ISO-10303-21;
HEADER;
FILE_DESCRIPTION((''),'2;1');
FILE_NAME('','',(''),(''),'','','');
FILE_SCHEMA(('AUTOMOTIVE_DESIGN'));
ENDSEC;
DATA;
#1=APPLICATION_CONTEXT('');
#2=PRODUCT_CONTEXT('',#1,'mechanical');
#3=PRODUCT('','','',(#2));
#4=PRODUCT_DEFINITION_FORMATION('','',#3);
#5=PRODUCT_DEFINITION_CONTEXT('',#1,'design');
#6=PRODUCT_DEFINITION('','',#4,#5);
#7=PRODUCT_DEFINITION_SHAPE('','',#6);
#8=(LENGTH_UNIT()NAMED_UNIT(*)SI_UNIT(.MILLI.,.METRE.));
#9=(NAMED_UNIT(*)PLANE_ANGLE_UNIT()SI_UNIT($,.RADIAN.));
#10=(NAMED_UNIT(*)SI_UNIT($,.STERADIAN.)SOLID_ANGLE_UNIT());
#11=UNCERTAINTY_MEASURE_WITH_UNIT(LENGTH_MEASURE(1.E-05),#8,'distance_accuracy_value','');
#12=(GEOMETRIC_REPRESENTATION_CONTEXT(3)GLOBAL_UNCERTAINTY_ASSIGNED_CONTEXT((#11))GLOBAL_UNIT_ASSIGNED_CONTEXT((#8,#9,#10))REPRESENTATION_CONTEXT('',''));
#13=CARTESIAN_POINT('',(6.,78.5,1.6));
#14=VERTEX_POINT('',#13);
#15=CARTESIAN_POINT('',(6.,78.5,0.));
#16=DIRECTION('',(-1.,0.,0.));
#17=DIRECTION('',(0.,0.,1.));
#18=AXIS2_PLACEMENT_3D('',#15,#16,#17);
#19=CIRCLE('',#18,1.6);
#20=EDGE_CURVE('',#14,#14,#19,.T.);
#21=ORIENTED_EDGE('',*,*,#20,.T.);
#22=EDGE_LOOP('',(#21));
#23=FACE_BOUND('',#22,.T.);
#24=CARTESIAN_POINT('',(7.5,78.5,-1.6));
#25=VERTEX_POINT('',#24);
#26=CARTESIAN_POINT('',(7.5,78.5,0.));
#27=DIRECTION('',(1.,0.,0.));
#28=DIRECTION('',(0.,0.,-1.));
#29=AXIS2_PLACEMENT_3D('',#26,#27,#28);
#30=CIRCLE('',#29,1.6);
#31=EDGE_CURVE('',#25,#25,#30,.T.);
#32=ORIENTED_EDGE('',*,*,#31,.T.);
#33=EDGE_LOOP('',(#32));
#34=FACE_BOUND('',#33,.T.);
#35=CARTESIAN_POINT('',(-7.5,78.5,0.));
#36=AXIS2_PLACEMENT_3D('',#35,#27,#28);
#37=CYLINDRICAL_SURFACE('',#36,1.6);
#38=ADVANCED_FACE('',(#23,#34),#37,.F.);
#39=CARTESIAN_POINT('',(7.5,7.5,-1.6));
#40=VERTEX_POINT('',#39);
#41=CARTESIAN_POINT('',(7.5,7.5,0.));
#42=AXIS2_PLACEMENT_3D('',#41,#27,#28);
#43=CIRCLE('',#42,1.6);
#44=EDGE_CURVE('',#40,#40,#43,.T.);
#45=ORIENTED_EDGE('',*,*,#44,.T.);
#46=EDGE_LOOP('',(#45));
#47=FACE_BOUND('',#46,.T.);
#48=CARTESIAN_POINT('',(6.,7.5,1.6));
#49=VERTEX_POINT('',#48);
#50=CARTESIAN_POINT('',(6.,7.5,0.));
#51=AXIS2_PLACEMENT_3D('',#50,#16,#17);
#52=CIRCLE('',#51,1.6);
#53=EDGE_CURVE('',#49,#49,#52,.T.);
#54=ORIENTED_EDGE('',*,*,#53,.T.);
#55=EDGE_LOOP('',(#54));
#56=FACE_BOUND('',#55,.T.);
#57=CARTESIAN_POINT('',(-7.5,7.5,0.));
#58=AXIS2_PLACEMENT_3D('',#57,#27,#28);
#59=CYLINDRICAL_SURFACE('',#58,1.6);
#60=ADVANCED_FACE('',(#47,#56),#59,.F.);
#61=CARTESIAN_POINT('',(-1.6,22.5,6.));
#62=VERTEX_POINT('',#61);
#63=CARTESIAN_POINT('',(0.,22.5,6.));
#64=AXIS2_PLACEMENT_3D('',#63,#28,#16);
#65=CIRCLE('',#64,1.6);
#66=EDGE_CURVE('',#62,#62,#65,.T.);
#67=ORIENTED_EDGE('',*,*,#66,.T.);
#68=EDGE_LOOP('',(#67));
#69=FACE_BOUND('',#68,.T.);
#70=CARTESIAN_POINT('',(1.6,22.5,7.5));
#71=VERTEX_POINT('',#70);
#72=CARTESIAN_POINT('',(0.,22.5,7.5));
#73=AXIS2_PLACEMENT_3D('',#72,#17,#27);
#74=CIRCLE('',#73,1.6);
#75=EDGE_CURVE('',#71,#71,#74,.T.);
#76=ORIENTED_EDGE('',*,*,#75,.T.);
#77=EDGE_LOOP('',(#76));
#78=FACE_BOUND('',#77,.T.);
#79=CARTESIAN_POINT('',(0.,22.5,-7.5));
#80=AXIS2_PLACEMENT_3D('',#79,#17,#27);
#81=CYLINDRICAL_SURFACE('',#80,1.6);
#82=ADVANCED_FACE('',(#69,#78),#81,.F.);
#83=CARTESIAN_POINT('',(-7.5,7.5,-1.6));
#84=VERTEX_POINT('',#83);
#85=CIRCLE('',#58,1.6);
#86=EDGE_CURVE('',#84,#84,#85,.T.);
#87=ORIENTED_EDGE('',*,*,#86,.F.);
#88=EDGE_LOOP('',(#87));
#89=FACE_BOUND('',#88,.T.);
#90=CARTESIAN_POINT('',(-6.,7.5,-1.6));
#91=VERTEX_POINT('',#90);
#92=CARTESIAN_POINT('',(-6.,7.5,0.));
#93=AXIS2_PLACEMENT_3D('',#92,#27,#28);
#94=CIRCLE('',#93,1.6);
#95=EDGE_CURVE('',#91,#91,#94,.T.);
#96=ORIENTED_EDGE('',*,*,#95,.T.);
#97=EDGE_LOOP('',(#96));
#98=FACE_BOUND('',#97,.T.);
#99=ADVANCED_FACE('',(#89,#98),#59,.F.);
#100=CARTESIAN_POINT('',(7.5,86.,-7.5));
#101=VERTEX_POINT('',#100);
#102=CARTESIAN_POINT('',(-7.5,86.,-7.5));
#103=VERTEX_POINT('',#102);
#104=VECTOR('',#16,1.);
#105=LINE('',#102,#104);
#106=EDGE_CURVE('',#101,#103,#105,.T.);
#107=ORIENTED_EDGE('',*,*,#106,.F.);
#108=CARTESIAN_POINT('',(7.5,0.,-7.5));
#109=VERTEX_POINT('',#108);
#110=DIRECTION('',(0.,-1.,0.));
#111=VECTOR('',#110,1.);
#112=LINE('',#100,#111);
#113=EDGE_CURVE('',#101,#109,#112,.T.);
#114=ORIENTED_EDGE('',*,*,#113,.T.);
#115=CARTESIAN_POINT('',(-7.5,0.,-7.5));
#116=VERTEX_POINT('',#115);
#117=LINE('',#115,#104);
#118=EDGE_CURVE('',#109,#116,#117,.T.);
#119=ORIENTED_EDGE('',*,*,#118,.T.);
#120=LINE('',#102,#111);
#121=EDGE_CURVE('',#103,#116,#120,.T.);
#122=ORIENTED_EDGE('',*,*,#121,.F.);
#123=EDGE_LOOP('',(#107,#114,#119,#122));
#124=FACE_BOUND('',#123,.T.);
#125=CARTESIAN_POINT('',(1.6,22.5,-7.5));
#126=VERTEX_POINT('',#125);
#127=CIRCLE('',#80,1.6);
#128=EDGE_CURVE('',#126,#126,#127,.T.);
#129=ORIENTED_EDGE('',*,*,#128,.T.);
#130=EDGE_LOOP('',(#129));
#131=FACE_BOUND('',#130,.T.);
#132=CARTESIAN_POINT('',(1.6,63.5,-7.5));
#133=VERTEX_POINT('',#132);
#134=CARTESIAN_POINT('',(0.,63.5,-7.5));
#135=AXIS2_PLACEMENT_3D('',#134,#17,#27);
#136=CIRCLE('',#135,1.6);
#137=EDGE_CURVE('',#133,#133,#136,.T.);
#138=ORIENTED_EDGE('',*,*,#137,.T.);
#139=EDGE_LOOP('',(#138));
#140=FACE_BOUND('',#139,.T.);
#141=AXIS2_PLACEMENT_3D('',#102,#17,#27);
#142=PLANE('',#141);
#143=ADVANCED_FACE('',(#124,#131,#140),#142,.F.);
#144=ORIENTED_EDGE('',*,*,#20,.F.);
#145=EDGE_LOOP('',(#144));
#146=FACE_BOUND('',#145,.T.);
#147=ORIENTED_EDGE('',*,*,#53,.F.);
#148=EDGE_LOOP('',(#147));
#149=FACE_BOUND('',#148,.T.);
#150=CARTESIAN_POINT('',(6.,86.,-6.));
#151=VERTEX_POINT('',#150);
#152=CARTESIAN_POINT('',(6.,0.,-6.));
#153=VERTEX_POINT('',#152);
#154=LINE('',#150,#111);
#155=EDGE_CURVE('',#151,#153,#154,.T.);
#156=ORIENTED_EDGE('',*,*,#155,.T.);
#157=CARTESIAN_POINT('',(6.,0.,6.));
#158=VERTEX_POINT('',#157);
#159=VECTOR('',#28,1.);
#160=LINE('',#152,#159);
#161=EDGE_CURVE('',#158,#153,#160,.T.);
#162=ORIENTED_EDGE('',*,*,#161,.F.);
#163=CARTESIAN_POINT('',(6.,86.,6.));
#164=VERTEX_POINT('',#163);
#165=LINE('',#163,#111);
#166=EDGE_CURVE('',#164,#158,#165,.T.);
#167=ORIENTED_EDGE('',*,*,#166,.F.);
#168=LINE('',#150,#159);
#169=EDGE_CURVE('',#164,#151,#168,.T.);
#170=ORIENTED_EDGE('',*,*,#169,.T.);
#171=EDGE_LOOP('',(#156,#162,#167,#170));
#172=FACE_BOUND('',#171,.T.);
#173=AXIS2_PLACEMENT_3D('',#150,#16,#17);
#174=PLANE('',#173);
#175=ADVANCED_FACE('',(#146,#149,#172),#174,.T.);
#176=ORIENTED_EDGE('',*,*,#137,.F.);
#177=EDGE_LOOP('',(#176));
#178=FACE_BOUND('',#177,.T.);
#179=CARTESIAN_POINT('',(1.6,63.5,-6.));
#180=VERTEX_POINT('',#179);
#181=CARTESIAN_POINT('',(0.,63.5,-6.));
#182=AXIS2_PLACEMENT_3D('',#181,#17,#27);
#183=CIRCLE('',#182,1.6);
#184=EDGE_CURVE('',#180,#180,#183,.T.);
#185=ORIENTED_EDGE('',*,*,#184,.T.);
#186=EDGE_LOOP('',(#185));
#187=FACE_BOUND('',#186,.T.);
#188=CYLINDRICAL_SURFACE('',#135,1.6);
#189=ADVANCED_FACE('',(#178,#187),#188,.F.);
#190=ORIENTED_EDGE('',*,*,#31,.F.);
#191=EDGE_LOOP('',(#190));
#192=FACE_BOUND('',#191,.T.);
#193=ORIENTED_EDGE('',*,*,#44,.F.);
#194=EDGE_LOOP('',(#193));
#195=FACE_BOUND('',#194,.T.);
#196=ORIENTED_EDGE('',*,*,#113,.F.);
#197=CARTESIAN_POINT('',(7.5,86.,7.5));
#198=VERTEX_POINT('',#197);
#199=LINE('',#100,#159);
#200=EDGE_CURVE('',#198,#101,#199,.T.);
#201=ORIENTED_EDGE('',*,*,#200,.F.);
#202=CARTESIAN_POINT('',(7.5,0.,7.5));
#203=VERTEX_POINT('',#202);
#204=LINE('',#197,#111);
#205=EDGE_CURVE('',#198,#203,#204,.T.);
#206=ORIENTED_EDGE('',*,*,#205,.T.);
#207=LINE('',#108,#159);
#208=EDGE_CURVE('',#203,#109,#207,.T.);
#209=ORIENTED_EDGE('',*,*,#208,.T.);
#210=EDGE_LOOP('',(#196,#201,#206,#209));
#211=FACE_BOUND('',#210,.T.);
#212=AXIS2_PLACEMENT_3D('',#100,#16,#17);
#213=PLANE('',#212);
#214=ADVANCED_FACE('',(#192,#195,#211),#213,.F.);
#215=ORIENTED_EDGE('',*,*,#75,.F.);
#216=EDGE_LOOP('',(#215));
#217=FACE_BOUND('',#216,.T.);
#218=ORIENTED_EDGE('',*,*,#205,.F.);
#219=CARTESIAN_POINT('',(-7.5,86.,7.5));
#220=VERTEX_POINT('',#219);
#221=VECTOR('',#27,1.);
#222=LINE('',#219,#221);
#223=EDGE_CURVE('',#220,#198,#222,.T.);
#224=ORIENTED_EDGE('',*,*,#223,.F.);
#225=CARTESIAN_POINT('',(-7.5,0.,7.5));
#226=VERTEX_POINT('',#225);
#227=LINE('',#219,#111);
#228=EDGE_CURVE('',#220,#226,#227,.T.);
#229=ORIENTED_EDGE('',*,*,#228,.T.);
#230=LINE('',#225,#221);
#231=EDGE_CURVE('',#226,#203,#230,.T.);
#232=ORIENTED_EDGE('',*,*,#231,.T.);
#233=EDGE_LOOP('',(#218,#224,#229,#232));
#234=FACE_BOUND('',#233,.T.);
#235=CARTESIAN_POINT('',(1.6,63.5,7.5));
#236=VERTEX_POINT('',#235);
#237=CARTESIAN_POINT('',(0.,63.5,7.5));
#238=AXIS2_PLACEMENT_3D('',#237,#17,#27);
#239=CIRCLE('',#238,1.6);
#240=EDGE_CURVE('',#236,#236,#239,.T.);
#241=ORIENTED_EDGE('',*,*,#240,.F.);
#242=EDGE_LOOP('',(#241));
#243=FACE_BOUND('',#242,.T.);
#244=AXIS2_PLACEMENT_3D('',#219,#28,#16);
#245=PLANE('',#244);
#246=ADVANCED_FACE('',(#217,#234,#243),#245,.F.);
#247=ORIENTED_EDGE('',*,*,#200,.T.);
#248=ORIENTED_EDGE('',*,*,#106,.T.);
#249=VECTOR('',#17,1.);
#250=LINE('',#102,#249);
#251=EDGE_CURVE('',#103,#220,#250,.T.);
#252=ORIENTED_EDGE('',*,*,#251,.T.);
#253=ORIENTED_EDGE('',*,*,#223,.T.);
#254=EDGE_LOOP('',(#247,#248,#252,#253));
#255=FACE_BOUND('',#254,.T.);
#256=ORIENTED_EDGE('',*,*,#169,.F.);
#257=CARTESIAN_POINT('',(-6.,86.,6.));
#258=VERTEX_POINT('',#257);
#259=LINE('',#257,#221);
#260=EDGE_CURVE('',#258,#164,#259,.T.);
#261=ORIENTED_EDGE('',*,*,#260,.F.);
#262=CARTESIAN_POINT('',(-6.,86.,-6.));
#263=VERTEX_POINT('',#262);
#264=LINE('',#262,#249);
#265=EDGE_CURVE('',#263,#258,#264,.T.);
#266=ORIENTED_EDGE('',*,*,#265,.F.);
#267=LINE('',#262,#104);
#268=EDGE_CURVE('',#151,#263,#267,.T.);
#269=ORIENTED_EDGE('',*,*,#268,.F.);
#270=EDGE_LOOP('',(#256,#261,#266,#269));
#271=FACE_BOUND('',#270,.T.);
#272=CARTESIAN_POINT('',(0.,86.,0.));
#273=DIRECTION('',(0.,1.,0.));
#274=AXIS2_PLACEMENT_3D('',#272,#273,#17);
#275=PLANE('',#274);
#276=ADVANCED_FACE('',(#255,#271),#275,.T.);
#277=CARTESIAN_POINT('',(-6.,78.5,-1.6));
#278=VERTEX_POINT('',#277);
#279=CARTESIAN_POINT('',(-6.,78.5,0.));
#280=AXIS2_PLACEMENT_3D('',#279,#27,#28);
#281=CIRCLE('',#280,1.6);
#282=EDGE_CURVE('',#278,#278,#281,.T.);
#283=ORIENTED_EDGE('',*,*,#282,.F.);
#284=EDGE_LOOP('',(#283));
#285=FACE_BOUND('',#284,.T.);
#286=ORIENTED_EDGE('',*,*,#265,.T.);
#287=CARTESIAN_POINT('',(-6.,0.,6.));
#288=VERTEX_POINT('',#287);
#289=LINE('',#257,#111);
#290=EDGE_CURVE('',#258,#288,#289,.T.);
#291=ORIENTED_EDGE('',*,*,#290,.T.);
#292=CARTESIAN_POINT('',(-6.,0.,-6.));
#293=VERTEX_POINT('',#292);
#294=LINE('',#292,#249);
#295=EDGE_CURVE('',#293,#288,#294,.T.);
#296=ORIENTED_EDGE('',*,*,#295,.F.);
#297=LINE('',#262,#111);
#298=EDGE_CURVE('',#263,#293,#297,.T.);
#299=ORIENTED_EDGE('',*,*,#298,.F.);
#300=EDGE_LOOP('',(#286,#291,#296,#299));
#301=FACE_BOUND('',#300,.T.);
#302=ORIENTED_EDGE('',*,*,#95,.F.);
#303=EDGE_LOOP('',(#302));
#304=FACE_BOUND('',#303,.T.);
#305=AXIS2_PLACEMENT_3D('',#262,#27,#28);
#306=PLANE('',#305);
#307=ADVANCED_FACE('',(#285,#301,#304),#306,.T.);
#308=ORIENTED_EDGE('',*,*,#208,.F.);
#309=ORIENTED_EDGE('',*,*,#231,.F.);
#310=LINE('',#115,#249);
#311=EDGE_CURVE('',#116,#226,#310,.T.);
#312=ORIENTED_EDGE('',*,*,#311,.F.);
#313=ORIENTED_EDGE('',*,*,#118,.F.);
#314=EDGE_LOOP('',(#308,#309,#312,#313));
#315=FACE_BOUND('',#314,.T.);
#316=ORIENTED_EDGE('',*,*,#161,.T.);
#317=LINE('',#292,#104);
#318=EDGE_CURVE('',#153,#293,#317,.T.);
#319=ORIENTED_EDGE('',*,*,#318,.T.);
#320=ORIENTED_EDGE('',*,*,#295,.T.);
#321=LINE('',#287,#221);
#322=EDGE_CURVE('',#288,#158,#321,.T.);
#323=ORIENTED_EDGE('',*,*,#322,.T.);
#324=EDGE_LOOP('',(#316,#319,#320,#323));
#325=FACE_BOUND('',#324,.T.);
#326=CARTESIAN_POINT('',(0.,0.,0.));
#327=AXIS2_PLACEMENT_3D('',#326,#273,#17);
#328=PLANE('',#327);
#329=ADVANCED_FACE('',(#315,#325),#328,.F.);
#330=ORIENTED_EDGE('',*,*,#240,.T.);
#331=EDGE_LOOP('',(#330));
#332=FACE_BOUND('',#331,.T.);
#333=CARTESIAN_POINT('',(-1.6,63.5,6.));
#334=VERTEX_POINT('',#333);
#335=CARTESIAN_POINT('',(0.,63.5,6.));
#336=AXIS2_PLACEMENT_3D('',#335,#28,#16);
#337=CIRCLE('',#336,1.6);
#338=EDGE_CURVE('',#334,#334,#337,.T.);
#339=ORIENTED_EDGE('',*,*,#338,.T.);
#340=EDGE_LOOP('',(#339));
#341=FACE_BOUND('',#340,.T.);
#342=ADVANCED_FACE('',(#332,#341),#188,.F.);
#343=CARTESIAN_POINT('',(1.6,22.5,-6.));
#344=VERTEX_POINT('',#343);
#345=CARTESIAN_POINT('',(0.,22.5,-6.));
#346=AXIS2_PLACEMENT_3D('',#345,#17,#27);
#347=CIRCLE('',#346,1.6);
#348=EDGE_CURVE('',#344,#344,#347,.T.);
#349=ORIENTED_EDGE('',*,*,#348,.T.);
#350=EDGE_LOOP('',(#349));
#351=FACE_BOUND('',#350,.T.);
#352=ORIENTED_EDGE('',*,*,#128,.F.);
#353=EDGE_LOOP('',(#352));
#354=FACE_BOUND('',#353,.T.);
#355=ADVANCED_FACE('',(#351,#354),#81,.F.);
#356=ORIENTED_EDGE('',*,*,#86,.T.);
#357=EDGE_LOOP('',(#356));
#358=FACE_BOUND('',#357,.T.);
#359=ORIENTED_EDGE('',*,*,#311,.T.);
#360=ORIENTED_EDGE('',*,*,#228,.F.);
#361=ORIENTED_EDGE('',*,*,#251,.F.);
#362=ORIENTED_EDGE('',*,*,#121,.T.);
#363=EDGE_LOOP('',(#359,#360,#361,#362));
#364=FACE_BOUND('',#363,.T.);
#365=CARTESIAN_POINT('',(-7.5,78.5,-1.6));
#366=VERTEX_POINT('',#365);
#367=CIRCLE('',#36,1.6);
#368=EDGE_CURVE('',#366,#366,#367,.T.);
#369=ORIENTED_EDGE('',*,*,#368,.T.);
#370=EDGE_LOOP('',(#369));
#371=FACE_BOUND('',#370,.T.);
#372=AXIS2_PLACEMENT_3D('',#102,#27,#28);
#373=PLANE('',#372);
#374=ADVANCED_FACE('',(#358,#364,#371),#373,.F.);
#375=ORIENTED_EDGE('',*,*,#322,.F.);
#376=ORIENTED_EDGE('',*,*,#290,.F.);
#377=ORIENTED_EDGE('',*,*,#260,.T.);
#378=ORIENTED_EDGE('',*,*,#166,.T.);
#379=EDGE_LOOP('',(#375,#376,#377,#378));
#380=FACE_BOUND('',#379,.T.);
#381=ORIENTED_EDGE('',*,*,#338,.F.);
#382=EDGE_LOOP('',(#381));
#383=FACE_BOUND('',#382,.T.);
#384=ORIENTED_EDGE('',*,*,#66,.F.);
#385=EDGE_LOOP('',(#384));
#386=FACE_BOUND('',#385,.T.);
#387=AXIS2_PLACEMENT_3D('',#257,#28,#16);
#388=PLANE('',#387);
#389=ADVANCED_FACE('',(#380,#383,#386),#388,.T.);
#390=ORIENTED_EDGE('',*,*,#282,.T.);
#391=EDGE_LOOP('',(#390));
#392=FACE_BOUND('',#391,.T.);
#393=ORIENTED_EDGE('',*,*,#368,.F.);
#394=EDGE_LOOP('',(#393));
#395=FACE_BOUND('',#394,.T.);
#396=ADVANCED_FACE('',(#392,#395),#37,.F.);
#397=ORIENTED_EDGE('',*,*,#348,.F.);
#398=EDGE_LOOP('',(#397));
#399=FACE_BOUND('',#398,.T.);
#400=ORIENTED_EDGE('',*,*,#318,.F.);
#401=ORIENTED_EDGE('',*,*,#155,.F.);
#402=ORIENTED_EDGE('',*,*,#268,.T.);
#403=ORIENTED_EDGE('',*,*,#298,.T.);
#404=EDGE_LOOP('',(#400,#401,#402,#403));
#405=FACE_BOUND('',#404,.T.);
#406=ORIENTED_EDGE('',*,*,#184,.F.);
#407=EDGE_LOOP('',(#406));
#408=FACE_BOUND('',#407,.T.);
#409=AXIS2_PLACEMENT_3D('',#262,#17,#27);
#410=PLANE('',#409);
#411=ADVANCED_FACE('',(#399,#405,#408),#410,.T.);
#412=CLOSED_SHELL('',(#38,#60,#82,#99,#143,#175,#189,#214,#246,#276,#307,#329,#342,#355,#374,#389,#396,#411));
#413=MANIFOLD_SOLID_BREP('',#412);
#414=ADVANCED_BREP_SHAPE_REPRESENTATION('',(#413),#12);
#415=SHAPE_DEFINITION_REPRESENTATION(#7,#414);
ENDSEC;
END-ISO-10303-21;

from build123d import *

# Parameters (mm, degrees)
SKETCH_1_W          = 15
SKETCH_1_H          = 15
SKETCH_1_W_2        = 12
SKETCH_1_H_2        = 12
EXTRUDE_1_DEPTH     = 86
SKETCH_2_R          = 1.6
CUT_EXTRUDE_1_DEPTH = 88.619917827
SKETCH_3_R          = 1.6
CUT_EXTRUDE_2_DEPTH = 88.619917827


with BuildPart() as part:
    # ｽｹｯﾁ1 → ﾎﾞｽ - 押し出し1 (new body)
    with BuildSketch(Plane(origin=(0, 0, 0), x_dir=(1, 0, 0), z_dir=(0, 1, 0))):
        Rectangle(SKETCH_1_W, SKETCH_1_H)
        Rectangle(SKETCH_1_W_2, SKETCH_1_H_2, mode=Mode.SUBTRACT)
    extrude(amount=EXTRUDE_1_DEPTH)

    # ｽｹｯﾁ2 → ｶｯﾄ - 押し出し1 (cut, through all)
    with BuildSketch(Plane.XY.offset(7.5)):
        with Locations((0, 63.5)):
            Circle(SKETCH_2_R)
        with Locations((0, 22.5)):
            Circle(SKETCH_2_R)
    extrude(amount=-CUT_EXTRUDE_1_DEPTH, mode=Mode.SUBTRACT)

    # ｽｹｯﾁ3 → ｶｯﾄ - 押し出し2 (cut, through all)
    with BuildSketch(Plane(origin=(7.5, 0, 0), x_dir=(0, 0, -1), z_dir=(1, 0, 0))):
        with Locations((0, 78.5)):
            Circle(SKETCH_3_R)
        with Locations((0, 7.5)):
            Circle(SKETCH_3_R)
    extrude(amount=-CUT_EXTRUDE_2_DEPTH, mode=Mode.SUBTRACT)


solid = part.part
